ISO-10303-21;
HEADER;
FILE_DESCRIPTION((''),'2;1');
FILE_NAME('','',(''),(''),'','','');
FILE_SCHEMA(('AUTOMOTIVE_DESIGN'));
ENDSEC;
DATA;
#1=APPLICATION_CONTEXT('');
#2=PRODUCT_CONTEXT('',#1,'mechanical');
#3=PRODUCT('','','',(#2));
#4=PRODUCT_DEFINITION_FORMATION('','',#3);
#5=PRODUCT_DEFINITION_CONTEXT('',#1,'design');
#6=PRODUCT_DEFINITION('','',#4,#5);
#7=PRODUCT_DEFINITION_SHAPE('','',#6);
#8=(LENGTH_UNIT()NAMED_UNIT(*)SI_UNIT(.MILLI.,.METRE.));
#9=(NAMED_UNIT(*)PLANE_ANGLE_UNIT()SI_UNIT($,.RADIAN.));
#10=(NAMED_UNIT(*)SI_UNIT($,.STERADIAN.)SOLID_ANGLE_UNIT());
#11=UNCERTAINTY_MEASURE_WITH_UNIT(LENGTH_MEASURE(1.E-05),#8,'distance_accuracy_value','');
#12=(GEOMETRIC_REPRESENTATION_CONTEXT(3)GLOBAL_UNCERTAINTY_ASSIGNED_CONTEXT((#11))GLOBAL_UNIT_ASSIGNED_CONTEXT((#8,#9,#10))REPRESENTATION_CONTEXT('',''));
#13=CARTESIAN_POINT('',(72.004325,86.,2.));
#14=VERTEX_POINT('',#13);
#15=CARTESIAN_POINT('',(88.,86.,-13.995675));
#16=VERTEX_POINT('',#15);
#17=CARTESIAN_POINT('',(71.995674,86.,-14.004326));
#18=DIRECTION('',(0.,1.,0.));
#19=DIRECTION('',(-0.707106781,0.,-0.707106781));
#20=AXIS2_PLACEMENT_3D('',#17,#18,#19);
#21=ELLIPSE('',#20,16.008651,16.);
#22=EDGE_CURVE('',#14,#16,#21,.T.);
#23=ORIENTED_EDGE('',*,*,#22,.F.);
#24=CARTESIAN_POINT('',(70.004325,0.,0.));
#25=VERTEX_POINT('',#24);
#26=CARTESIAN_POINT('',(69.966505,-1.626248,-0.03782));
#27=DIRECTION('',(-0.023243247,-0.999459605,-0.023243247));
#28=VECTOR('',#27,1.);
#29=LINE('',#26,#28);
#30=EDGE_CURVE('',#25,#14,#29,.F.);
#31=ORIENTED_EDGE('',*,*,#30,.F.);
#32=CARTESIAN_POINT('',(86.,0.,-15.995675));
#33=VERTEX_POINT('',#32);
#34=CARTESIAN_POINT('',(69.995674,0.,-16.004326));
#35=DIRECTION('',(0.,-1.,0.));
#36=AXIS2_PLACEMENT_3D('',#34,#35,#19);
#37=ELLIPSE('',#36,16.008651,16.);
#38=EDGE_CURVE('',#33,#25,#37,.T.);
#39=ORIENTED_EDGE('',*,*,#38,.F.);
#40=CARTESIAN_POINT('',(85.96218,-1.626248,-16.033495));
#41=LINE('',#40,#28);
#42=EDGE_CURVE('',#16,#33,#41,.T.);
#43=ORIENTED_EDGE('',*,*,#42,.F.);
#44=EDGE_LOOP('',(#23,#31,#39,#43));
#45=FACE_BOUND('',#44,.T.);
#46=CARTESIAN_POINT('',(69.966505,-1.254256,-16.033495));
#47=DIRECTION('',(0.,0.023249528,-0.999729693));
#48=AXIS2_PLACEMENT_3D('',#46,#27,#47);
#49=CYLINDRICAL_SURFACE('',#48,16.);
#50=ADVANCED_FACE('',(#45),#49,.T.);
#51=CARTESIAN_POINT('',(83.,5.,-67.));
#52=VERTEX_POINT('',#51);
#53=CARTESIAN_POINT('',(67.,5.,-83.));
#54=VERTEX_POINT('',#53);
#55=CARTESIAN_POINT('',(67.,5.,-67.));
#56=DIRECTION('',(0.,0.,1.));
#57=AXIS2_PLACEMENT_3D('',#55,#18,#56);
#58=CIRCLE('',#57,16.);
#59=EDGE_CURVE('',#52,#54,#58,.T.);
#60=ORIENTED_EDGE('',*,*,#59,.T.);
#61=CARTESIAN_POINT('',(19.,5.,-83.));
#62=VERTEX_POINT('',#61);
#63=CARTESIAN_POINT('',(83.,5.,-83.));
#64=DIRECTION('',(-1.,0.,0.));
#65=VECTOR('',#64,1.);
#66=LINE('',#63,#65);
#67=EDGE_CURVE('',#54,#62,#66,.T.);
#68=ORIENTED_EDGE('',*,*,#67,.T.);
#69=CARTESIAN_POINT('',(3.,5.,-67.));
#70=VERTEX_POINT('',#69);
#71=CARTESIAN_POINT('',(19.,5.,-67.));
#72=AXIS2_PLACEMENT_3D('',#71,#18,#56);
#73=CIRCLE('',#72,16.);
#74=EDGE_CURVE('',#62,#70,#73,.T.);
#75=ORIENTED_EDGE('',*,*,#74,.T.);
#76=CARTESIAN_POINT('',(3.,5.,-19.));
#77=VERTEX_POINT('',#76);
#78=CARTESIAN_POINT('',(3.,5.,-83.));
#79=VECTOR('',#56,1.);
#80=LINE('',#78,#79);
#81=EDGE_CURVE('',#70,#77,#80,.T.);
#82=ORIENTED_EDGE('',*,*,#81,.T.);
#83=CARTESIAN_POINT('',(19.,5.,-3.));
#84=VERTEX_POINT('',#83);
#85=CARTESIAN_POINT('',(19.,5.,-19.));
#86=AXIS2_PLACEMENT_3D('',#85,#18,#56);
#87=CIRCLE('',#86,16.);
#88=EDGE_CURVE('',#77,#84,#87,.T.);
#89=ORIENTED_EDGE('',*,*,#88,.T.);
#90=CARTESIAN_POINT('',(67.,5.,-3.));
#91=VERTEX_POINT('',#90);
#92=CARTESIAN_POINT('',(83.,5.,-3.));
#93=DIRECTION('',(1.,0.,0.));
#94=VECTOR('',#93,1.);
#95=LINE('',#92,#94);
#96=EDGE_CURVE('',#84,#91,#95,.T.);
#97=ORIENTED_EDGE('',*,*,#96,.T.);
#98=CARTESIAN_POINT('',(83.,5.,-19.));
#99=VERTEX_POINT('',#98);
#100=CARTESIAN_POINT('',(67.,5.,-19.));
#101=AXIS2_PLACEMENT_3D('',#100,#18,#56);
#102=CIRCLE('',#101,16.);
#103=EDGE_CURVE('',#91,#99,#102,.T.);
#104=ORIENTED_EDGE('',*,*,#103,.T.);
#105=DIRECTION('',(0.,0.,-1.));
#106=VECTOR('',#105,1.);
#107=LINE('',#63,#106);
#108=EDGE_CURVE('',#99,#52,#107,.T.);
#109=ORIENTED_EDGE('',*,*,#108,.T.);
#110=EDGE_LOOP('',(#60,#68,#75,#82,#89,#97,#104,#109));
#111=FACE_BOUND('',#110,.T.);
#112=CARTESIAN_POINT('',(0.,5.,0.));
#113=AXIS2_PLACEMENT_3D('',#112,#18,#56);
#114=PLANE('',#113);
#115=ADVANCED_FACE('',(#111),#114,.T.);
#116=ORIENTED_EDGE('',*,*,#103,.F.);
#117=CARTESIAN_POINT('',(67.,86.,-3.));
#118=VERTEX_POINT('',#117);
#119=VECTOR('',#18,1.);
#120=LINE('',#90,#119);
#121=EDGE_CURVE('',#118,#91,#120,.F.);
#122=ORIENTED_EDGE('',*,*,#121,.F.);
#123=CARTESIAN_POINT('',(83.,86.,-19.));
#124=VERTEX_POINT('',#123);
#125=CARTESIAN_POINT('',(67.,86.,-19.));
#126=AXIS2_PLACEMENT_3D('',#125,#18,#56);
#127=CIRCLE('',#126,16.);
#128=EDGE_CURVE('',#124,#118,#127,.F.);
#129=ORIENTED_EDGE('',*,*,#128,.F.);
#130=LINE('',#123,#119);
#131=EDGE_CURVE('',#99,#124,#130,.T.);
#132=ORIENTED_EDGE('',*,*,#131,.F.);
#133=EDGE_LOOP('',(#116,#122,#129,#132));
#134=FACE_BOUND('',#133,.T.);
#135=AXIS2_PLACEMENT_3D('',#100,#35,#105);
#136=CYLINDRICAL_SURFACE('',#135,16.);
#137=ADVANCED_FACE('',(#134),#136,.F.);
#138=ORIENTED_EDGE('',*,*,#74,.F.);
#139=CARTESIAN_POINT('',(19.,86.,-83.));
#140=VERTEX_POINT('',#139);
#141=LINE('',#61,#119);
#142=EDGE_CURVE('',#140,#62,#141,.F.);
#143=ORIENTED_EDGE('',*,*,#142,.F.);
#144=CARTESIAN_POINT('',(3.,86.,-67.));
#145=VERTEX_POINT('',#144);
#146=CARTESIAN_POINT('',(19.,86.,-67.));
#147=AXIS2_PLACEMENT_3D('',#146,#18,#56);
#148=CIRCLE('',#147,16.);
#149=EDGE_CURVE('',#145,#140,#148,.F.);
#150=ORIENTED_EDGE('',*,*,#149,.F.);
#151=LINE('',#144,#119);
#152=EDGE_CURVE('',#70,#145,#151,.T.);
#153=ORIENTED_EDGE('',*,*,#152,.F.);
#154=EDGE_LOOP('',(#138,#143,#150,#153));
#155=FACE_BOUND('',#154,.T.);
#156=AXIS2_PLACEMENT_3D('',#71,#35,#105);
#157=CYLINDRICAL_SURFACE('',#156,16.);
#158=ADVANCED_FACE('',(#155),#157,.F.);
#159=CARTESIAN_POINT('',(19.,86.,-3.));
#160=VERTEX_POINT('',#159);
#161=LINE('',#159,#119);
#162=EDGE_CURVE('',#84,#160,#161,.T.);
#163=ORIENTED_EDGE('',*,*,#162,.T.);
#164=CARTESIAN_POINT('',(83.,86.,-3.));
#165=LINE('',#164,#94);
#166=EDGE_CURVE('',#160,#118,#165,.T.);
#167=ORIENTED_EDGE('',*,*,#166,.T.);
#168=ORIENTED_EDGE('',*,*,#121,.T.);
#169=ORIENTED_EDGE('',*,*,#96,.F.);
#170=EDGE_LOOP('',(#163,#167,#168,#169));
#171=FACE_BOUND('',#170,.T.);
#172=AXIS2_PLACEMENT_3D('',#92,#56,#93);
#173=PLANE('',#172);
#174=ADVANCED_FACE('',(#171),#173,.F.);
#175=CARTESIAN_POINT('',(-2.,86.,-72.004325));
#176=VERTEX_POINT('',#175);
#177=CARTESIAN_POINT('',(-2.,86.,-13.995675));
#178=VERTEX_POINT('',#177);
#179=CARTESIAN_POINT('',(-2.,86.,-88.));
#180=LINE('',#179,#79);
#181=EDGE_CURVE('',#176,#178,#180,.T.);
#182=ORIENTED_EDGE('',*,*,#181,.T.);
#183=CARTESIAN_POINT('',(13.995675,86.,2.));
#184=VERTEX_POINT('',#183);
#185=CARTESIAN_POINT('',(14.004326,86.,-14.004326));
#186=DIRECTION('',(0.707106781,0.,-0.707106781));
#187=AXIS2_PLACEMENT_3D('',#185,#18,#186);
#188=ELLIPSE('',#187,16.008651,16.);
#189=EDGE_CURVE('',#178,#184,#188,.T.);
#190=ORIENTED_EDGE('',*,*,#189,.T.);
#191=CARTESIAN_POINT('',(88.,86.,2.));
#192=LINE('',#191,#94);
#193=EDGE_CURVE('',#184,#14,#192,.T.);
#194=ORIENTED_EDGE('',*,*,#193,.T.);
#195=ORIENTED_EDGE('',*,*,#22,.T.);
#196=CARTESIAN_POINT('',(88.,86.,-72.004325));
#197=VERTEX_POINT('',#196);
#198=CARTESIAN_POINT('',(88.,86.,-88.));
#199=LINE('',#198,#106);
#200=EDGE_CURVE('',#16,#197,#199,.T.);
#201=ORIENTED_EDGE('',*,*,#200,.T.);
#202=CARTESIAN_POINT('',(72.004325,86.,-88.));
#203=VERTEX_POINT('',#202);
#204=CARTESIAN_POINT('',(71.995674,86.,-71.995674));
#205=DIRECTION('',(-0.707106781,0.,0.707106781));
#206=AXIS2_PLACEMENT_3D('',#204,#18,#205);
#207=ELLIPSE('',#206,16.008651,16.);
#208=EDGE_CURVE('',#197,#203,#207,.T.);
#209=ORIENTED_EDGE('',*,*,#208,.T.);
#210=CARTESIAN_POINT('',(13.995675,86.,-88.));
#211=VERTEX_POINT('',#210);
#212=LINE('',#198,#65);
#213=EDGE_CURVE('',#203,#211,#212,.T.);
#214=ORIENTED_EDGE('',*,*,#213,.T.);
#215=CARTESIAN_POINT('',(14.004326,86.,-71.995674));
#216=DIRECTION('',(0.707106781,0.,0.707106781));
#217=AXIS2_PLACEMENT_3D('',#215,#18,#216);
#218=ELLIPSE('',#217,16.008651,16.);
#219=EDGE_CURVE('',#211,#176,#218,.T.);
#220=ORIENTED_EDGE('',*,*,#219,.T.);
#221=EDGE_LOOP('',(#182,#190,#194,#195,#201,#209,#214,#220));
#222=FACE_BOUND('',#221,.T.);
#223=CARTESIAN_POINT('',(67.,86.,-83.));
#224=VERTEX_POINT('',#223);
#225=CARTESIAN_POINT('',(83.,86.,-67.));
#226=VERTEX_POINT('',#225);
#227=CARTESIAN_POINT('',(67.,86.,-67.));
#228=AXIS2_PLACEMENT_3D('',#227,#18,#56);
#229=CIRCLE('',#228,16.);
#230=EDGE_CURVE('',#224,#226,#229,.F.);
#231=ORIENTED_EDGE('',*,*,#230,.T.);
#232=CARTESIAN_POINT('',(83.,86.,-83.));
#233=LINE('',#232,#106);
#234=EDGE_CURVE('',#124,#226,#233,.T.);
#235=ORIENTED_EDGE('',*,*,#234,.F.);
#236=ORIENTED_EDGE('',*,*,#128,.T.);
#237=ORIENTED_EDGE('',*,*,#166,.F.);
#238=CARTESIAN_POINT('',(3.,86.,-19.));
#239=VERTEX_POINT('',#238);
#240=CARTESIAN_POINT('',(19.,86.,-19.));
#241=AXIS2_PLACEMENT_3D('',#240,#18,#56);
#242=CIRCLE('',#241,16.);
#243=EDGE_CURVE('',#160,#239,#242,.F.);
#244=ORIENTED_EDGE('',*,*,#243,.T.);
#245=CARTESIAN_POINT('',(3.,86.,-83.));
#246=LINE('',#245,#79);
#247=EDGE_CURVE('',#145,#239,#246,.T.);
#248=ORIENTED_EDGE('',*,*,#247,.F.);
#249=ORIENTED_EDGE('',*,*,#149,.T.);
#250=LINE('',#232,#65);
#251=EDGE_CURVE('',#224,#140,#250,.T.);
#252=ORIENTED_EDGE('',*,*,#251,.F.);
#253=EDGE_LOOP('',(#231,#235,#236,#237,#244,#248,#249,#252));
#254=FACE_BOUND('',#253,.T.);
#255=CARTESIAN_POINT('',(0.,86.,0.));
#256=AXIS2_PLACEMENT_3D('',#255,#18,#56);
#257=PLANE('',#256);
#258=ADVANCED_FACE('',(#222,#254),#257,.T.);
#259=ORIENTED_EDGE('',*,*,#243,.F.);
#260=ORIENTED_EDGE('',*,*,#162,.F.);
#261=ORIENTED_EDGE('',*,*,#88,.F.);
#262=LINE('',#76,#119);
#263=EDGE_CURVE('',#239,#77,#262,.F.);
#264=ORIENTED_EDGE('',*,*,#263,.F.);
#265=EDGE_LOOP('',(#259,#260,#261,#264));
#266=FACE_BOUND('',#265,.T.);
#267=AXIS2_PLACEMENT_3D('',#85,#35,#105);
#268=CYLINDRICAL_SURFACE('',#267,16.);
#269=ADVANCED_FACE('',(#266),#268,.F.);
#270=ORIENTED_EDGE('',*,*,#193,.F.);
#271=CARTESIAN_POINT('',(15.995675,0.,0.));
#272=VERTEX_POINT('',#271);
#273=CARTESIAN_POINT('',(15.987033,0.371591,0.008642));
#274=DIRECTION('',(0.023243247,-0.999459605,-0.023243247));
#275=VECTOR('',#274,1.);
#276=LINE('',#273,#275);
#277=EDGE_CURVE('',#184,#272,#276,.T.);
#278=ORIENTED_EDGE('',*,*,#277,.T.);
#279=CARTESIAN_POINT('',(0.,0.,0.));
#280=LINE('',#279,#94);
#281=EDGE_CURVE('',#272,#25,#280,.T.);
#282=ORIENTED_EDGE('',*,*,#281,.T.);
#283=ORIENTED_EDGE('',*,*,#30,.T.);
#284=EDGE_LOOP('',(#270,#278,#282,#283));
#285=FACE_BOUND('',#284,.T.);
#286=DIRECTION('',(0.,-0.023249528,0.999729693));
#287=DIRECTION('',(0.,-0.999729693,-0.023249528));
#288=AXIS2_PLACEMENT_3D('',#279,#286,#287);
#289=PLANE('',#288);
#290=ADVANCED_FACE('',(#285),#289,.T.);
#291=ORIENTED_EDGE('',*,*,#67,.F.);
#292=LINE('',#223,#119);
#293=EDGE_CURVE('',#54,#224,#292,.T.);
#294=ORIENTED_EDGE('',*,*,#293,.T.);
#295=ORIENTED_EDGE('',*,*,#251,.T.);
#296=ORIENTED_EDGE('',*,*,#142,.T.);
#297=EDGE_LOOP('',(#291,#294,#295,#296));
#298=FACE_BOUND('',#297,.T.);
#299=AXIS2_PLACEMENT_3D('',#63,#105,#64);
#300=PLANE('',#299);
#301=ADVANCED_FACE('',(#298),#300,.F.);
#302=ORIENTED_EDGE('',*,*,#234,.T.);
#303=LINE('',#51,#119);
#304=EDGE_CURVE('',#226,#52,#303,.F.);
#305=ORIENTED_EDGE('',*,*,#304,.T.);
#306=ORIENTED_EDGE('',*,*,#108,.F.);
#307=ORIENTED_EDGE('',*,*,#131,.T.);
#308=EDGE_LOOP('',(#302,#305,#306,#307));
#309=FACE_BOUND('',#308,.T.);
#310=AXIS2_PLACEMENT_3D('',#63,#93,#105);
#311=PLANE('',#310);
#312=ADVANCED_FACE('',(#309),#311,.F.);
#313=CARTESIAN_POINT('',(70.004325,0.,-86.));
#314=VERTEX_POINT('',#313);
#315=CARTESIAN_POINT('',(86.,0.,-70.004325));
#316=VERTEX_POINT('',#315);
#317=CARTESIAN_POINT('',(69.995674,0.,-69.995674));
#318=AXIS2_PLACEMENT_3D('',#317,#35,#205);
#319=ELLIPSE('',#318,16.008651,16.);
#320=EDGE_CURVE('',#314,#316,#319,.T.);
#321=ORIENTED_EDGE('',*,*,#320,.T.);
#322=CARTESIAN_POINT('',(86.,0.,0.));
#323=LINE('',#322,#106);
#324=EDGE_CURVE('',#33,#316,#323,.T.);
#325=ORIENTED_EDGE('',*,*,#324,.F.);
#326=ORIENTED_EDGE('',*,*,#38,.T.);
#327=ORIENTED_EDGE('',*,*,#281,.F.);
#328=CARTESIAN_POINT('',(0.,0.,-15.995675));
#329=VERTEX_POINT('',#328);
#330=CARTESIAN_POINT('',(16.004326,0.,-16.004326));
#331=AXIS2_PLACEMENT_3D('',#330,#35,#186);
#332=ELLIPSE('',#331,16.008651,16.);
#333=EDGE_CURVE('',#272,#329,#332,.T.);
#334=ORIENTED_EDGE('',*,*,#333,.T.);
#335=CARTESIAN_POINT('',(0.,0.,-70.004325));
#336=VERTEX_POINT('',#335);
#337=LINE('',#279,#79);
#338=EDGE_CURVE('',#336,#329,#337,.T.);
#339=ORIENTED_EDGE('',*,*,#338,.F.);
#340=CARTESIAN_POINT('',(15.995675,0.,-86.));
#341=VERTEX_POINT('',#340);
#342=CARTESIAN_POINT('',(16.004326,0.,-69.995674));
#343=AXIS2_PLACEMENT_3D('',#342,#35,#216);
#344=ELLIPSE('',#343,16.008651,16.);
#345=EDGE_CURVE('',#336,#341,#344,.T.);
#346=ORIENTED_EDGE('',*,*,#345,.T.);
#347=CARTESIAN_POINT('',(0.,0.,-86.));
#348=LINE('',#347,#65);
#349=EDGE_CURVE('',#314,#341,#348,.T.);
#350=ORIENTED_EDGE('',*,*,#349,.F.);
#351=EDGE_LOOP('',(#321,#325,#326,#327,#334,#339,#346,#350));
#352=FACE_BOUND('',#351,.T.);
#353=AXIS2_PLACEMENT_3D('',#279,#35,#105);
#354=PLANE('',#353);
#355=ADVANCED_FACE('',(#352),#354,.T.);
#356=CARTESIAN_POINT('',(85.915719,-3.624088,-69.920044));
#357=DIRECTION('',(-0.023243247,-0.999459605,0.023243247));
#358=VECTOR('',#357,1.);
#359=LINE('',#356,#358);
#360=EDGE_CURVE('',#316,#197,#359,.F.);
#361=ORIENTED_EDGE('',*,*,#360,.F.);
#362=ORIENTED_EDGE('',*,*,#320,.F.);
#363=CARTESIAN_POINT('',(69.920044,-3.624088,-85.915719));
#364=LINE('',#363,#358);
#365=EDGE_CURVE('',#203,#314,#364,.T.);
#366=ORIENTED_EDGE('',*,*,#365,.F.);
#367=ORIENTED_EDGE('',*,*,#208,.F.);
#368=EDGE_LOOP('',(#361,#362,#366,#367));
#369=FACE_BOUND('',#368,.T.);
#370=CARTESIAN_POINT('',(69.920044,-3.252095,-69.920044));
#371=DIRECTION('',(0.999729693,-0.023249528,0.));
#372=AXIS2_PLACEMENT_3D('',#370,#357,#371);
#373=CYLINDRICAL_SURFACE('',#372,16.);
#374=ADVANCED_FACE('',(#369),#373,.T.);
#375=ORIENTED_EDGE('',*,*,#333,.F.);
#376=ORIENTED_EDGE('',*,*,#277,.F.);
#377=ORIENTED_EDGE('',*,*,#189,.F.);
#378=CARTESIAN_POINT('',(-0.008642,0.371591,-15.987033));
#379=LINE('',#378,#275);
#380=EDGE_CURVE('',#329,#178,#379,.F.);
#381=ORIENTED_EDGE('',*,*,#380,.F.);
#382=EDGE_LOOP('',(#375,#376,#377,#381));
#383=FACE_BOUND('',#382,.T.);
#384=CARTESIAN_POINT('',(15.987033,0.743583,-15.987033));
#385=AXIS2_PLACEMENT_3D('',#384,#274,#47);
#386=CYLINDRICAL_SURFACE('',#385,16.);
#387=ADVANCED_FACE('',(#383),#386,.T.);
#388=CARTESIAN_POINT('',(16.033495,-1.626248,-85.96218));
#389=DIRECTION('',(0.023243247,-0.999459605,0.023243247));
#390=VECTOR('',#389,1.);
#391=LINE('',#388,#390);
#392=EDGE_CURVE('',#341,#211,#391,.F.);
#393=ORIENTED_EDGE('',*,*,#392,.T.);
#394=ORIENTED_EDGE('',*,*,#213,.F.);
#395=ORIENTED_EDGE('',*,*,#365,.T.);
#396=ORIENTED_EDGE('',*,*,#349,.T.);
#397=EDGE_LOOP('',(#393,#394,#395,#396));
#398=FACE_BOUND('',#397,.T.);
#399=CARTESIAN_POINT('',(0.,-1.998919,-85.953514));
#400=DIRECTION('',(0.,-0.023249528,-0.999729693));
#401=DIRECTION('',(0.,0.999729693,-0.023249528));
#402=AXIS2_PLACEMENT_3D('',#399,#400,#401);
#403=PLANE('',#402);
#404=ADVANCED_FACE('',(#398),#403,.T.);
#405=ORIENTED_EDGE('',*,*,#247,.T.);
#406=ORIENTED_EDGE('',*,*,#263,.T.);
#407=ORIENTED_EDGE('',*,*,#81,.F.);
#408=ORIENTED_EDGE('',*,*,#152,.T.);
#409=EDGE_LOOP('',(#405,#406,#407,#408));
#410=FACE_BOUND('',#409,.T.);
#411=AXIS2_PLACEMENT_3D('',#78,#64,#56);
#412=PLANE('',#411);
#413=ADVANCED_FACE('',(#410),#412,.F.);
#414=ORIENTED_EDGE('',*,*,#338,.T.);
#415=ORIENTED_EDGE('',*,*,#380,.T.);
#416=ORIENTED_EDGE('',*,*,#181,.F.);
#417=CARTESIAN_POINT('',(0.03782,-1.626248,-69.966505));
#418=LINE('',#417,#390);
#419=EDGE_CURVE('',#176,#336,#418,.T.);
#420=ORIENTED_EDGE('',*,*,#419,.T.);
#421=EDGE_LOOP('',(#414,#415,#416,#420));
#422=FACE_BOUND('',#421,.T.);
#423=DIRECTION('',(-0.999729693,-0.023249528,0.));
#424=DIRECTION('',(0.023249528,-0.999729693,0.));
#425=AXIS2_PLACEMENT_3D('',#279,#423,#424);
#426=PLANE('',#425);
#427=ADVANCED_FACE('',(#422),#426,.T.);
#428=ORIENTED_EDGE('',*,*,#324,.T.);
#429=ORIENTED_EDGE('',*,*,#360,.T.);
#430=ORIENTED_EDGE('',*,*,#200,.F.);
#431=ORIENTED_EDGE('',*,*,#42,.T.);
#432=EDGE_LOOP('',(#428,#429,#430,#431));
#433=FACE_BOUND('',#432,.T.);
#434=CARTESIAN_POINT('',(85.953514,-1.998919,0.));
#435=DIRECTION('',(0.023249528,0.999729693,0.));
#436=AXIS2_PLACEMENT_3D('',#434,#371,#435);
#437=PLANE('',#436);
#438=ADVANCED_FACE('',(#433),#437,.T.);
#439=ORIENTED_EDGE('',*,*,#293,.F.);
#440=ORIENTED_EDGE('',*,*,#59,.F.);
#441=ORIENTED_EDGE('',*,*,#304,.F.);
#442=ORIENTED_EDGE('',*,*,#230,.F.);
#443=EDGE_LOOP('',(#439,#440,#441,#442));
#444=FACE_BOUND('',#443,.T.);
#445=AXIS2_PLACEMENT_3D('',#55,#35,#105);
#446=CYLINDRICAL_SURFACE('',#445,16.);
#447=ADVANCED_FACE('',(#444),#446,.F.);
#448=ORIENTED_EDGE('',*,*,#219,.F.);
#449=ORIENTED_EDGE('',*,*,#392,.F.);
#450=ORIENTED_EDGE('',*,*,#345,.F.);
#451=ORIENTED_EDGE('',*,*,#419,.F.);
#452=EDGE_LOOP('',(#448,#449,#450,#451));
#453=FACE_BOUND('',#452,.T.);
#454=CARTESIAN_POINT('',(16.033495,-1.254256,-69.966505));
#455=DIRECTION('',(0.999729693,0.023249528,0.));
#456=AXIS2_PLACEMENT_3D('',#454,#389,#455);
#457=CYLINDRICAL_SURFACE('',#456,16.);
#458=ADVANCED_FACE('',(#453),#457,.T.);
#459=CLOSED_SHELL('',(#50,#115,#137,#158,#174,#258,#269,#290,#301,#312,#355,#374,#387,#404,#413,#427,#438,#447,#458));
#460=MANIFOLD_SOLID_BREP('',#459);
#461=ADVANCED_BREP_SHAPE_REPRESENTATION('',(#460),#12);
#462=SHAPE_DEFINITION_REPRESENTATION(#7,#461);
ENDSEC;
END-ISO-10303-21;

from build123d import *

# Parameters (mm, degrees)
SKETCH5_W          = 80
SKETCH5_H          = 80
CUT_EXTRUDE1_DEPTH = 81
FILLET1_R          = 16


with BuildPart() as part:
    # Sketch4 → Loft1 section 0
    with BuildSketch(Plane(origin=(0, 86, -86), x_dir=(1, 0, 0), z_dir=(0, 1, 0))):
        with BuildLine():
            Line((88, 2), (88, -88))
            Line((88, -88), (-2, -88))
            Line((-2, -88), (-2, 2))
            Line((-2, 2), (88, 2))
        make_face()
    # Sketch2 → Loft1 section 1
    with BuildSketch(Plane(origin=(0, 0, 0), x_dir=(1, 0, 0), z_dir=(0, 1, 0))):
        with BuildLine():
            Line((0, 0), (86, 0))
            Line((86, 0), (86, 86))
            Line((86, 86), (0, 86))
            Line((0, 86), (0, 0))
        make_face()
    loft()

    # Sketch5 → Cut-Extrude1 (cut)
    with BuildSketch(Plane(origin=(0, 86, 0), x_dir=(1, 0, 0), z_dir=(0, 1, 0))):
        with Locations((43, 43)):
            Rectangle(SKETCH5_W, SKETCH5_H)
    extrude(amount=-CUT_EXTRUDE1_DEPTH, mode=Mode.SUBTRACT)

    # Fillet1
    fillet1_edges = [part.edges().sort_by_distance(p)[0] for p in [
        (87, 43, -87),
        (83, 45.5, -83),
        (87, 43, 1),
        (83, 45.5, -3),
        (-1, 43, 1),
        (3, 45.5, -3),
        (-1, 43, -87),
        (3, 45.5, -83),
    ]]
    fillet(fillet1_edges, radius=FILLET1_R)


solid = part.part
